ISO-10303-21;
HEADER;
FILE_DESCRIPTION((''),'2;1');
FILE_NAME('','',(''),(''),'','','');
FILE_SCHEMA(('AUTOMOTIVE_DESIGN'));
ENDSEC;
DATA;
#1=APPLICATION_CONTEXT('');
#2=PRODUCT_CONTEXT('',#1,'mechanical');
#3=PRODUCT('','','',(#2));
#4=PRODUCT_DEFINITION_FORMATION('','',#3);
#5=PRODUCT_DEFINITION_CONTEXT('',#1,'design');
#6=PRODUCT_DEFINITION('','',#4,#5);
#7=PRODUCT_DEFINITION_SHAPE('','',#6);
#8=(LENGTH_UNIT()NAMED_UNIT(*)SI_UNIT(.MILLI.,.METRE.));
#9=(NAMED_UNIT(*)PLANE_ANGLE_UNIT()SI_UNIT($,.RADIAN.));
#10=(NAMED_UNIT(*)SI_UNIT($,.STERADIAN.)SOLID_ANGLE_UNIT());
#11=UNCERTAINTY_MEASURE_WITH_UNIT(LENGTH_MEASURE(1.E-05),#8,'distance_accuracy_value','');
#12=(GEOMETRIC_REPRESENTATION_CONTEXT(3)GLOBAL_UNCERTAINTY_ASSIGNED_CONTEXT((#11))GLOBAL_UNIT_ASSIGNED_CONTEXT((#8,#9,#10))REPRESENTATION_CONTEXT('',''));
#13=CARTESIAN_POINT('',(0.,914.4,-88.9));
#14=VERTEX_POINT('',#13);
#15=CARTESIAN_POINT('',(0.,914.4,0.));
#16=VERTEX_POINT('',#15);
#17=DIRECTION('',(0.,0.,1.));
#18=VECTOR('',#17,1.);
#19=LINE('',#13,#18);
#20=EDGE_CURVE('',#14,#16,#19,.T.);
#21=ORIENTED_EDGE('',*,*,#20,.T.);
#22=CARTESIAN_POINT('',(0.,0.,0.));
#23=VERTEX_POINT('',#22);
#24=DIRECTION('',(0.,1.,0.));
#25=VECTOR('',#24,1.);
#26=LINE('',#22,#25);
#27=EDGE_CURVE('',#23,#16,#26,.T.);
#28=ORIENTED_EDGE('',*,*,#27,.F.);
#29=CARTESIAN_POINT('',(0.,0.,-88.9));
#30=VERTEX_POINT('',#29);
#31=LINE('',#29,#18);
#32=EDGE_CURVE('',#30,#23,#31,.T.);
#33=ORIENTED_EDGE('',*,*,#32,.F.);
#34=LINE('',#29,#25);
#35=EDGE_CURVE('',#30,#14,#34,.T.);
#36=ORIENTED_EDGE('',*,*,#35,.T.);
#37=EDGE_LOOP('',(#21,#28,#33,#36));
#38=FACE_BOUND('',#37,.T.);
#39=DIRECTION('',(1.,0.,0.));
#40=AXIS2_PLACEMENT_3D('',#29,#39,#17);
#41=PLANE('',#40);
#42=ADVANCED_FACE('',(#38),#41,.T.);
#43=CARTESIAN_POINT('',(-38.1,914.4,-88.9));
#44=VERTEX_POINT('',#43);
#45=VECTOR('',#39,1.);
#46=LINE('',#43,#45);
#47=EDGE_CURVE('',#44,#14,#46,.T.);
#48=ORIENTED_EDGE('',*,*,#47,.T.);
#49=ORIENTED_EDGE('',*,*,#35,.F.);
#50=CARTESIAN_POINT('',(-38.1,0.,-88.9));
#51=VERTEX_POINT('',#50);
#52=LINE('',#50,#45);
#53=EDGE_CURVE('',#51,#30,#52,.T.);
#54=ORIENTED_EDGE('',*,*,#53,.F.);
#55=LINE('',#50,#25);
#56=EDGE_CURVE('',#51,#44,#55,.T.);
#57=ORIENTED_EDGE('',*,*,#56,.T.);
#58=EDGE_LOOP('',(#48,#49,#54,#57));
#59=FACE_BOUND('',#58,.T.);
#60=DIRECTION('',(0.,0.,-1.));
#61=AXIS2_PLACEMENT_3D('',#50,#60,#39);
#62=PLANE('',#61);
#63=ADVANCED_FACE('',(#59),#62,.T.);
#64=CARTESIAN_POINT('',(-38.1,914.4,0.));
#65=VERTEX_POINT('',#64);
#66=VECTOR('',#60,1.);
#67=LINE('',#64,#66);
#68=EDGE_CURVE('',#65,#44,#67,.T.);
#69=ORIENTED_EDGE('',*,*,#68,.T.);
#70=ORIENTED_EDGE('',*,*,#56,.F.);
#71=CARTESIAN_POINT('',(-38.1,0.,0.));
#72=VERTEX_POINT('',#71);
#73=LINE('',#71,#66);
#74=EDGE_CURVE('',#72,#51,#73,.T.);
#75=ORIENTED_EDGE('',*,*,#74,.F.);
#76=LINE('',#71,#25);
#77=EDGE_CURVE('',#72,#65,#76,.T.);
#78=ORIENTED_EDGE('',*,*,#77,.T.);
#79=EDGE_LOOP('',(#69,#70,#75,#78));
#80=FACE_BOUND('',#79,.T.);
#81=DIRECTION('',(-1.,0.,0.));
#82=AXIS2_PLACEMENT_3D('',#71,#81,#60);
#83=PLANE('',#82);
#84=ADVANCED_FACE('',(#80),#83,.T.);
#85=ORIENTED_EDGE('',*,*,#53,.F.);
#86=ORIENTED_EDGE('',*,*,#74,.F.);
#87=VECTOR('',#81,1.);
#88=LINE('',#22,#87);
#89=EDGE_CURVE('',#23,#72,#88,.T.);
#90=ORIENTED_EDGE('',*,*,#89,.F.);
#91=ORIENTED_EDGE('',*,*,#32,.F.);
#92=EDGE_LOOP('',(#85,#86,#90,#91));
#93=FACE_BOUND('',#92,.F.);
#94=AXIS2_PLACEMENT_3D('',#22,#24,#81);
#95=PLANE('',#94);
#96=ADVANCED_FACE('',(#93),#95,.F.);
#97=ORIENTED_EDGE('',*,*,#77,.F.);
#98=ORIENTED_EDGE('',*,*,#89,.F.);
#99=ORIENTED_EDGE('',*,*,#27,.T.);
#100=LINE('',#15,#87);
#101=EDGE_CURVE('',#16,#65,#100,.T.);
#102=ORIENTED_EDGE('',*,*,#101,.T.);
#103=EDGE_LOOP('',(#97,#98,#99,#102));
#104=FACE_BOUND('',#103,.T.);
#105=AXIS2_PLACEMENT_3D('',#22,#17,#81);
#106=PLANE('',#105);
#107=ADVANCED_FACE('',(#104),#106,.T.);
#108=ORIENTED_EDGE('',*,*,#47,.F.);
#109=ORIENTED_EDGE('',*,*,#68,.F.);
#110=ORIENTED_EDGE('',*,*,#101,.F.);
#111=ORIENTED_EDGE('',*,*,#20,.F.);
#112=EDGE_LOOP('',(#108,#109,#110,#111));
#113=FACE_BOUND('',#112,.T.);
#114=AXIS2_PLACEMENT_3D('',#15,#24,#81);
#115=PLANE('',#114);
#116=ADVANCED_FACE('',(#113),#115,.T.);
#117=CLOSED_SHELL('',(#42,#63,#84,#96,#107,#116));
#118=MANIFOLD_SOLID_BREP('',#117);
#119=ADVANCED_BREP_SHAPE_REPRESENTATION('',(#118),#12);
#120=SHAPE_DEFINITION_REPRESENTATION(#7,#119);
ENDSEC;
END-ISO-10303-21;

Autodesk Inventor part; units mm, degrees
ref_plane "YZ Plane" through (0, 0, 0) normal (1, 0, 0) x (0, 1, 0)
ref_plane "XZ Plane" through (0, 0, 0) normal (0, 1, 0) x (-1, 0, 0)
ref_plane "XY Plane" through (0, 0, 0) normal (0, 0, 1) x (1, 0, 0)
sketch "Sketch1" plane through (0, 0, 0) normal (0, 1, 0) x (-1, 0, 0)
  line L0 (0, 0) -> (38.1, 0)
  line L1 (38.1, 0) -> (38.1, -88.9)
  line L2 (38.1, -88.9) -> (0, -88.9)
  line L3 (0, -88.9) -> (0, 0)
  dimension "d0" = 88.9
  dimension "d1" = 38.1
extrude "Extrusion1" add sketch "Sketch1" along normal blind 914.4
properties part number "Stud_With_Height_36_Inches" material "Wood (Birch)"
